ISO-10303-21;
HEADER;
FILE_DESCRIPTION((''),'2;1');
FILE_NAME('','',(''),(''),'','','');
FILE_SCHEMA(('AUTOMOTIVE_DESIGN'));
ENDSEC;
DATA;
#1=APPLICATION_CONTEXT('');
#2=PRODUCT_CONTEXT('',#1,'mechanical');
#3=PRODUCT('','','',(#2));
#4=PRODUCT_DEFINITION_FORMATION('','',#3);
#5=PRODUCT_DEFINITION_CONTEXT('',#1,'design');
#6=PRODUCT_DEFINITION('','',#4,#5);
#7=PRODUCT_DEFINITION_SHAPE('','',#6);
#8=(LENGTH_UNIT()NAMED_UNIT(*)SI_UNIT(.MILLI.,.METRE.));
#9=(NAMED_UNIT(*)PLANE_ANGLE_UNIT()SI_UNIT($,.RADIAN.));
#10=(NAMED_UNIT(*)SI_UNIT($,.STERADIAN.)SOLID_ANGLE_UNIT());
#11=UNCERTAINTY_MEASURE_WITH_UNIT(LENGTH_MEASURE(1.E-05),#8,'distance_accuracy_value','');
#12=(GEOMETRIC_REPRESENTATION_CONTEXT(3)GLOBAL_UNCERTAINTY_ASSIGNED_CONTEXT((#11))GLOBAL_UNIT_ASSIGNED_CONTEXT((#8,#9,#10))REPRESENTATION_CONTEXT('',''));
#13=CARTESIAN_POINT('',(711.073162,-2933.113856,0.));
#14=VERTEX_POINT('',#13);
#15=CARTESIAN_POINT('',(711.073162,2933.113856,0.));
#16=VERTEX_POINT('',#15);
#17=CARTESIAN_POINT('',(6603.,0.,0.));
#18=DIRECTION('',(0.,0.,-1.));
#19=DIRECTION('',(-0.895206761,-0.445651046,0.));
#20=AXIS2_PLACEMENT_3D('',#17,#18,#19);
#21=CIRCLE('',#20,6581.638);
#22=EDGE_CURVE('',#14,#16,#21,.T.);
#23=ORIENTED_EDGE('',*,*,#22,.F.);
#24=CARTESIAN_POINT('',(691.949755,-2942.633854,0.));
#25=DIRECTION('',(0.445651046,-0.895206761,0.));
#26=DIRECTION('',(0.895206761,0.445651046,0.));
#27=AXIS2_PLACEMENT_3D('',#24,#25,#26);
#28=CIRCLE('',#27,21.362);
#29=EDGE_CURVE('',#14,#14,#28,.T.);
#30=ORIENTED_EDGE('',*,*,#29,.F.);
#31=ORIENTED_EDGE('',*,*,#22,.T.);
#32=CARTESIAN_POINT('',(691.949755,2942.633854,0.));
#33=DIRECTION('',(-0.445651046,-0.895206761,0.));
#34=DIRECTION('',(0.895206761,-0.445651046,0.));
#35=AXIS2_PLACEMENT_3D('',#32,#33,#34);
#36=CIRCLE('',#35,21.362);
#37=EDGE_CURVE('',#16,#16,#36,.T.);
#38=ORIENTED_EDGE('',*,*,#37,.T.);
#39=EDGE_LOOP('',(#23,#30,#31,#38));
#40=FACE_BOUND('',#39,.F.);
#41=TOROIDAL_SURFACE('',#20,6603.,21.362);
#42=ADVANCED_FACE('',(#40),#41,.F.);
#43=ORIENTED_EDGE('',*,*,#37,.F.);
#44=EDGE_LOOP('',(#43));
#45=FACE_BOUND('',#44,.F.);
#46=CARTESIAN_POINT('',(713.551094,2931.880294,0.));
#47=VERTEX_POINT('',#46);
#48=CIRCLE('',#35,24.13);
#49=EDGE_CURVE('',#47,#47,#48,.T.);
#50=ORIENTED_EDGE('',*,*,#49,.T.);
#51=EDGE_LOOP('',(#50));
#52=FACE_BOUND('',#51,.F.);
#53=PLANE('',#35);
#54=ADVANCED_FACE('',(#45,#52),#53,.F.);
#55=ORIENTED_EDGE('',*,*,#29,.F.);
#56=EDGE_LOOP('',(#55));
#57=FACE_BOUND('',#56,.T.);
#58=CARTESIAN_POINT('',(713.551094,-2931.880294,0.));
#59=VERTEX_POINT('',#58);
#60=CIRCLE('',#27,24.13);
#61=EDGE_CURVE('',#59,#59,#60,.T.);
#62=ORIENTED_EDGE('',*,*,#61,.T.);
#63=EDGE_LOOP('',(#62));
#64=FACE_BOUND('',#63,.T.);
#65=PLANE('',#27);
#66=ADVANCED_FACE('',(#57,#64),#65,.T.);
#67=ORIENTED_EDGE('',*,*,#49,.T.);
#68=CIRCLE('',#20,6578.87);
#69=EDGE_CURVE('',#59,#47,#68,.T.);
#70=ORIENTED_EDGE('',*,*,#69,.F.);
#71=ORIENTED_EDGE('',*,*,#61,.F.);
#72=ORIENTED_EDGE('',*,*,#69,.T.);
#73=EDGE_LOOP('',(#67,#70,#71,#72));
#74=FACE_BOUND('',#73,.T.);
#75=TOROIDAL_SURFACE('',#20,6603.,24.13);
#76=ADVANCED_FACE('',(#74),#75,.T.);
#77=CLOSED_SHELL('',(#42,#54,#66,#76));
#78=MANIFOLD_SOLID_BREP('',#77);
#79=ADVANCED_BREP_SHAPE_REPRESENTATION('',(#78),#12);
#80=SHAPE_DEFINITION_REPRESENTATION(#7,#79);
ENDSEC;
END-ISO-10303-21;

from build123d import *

# Parameters (mm, degrees)
F0_R          = 24.13
F0_R_2        = 21.362
F1_ANGLE_BACK = 26.465
F1_ANGLE      = 52.93


with BuildPart() as f1:
    # F0 (on Front) → F1 (revolve)
    with BuildSketch(Plane.XZ, mode=Mode.PRIVATE) as f1_sk:
        Circle(F0_R)
        Circle(F0_R_2, mode=Mode.SUBTRACT)
    revolve(f1_sk.sketch.rotate(Axis((6603, 0, -50), (0, 0, -1)), -F1_ANGLE_BACK), axis=Axis((6603, 0, -50), (0, 0, -1)), revolution_arc=F1_ANGLE)


solid = f1.part
